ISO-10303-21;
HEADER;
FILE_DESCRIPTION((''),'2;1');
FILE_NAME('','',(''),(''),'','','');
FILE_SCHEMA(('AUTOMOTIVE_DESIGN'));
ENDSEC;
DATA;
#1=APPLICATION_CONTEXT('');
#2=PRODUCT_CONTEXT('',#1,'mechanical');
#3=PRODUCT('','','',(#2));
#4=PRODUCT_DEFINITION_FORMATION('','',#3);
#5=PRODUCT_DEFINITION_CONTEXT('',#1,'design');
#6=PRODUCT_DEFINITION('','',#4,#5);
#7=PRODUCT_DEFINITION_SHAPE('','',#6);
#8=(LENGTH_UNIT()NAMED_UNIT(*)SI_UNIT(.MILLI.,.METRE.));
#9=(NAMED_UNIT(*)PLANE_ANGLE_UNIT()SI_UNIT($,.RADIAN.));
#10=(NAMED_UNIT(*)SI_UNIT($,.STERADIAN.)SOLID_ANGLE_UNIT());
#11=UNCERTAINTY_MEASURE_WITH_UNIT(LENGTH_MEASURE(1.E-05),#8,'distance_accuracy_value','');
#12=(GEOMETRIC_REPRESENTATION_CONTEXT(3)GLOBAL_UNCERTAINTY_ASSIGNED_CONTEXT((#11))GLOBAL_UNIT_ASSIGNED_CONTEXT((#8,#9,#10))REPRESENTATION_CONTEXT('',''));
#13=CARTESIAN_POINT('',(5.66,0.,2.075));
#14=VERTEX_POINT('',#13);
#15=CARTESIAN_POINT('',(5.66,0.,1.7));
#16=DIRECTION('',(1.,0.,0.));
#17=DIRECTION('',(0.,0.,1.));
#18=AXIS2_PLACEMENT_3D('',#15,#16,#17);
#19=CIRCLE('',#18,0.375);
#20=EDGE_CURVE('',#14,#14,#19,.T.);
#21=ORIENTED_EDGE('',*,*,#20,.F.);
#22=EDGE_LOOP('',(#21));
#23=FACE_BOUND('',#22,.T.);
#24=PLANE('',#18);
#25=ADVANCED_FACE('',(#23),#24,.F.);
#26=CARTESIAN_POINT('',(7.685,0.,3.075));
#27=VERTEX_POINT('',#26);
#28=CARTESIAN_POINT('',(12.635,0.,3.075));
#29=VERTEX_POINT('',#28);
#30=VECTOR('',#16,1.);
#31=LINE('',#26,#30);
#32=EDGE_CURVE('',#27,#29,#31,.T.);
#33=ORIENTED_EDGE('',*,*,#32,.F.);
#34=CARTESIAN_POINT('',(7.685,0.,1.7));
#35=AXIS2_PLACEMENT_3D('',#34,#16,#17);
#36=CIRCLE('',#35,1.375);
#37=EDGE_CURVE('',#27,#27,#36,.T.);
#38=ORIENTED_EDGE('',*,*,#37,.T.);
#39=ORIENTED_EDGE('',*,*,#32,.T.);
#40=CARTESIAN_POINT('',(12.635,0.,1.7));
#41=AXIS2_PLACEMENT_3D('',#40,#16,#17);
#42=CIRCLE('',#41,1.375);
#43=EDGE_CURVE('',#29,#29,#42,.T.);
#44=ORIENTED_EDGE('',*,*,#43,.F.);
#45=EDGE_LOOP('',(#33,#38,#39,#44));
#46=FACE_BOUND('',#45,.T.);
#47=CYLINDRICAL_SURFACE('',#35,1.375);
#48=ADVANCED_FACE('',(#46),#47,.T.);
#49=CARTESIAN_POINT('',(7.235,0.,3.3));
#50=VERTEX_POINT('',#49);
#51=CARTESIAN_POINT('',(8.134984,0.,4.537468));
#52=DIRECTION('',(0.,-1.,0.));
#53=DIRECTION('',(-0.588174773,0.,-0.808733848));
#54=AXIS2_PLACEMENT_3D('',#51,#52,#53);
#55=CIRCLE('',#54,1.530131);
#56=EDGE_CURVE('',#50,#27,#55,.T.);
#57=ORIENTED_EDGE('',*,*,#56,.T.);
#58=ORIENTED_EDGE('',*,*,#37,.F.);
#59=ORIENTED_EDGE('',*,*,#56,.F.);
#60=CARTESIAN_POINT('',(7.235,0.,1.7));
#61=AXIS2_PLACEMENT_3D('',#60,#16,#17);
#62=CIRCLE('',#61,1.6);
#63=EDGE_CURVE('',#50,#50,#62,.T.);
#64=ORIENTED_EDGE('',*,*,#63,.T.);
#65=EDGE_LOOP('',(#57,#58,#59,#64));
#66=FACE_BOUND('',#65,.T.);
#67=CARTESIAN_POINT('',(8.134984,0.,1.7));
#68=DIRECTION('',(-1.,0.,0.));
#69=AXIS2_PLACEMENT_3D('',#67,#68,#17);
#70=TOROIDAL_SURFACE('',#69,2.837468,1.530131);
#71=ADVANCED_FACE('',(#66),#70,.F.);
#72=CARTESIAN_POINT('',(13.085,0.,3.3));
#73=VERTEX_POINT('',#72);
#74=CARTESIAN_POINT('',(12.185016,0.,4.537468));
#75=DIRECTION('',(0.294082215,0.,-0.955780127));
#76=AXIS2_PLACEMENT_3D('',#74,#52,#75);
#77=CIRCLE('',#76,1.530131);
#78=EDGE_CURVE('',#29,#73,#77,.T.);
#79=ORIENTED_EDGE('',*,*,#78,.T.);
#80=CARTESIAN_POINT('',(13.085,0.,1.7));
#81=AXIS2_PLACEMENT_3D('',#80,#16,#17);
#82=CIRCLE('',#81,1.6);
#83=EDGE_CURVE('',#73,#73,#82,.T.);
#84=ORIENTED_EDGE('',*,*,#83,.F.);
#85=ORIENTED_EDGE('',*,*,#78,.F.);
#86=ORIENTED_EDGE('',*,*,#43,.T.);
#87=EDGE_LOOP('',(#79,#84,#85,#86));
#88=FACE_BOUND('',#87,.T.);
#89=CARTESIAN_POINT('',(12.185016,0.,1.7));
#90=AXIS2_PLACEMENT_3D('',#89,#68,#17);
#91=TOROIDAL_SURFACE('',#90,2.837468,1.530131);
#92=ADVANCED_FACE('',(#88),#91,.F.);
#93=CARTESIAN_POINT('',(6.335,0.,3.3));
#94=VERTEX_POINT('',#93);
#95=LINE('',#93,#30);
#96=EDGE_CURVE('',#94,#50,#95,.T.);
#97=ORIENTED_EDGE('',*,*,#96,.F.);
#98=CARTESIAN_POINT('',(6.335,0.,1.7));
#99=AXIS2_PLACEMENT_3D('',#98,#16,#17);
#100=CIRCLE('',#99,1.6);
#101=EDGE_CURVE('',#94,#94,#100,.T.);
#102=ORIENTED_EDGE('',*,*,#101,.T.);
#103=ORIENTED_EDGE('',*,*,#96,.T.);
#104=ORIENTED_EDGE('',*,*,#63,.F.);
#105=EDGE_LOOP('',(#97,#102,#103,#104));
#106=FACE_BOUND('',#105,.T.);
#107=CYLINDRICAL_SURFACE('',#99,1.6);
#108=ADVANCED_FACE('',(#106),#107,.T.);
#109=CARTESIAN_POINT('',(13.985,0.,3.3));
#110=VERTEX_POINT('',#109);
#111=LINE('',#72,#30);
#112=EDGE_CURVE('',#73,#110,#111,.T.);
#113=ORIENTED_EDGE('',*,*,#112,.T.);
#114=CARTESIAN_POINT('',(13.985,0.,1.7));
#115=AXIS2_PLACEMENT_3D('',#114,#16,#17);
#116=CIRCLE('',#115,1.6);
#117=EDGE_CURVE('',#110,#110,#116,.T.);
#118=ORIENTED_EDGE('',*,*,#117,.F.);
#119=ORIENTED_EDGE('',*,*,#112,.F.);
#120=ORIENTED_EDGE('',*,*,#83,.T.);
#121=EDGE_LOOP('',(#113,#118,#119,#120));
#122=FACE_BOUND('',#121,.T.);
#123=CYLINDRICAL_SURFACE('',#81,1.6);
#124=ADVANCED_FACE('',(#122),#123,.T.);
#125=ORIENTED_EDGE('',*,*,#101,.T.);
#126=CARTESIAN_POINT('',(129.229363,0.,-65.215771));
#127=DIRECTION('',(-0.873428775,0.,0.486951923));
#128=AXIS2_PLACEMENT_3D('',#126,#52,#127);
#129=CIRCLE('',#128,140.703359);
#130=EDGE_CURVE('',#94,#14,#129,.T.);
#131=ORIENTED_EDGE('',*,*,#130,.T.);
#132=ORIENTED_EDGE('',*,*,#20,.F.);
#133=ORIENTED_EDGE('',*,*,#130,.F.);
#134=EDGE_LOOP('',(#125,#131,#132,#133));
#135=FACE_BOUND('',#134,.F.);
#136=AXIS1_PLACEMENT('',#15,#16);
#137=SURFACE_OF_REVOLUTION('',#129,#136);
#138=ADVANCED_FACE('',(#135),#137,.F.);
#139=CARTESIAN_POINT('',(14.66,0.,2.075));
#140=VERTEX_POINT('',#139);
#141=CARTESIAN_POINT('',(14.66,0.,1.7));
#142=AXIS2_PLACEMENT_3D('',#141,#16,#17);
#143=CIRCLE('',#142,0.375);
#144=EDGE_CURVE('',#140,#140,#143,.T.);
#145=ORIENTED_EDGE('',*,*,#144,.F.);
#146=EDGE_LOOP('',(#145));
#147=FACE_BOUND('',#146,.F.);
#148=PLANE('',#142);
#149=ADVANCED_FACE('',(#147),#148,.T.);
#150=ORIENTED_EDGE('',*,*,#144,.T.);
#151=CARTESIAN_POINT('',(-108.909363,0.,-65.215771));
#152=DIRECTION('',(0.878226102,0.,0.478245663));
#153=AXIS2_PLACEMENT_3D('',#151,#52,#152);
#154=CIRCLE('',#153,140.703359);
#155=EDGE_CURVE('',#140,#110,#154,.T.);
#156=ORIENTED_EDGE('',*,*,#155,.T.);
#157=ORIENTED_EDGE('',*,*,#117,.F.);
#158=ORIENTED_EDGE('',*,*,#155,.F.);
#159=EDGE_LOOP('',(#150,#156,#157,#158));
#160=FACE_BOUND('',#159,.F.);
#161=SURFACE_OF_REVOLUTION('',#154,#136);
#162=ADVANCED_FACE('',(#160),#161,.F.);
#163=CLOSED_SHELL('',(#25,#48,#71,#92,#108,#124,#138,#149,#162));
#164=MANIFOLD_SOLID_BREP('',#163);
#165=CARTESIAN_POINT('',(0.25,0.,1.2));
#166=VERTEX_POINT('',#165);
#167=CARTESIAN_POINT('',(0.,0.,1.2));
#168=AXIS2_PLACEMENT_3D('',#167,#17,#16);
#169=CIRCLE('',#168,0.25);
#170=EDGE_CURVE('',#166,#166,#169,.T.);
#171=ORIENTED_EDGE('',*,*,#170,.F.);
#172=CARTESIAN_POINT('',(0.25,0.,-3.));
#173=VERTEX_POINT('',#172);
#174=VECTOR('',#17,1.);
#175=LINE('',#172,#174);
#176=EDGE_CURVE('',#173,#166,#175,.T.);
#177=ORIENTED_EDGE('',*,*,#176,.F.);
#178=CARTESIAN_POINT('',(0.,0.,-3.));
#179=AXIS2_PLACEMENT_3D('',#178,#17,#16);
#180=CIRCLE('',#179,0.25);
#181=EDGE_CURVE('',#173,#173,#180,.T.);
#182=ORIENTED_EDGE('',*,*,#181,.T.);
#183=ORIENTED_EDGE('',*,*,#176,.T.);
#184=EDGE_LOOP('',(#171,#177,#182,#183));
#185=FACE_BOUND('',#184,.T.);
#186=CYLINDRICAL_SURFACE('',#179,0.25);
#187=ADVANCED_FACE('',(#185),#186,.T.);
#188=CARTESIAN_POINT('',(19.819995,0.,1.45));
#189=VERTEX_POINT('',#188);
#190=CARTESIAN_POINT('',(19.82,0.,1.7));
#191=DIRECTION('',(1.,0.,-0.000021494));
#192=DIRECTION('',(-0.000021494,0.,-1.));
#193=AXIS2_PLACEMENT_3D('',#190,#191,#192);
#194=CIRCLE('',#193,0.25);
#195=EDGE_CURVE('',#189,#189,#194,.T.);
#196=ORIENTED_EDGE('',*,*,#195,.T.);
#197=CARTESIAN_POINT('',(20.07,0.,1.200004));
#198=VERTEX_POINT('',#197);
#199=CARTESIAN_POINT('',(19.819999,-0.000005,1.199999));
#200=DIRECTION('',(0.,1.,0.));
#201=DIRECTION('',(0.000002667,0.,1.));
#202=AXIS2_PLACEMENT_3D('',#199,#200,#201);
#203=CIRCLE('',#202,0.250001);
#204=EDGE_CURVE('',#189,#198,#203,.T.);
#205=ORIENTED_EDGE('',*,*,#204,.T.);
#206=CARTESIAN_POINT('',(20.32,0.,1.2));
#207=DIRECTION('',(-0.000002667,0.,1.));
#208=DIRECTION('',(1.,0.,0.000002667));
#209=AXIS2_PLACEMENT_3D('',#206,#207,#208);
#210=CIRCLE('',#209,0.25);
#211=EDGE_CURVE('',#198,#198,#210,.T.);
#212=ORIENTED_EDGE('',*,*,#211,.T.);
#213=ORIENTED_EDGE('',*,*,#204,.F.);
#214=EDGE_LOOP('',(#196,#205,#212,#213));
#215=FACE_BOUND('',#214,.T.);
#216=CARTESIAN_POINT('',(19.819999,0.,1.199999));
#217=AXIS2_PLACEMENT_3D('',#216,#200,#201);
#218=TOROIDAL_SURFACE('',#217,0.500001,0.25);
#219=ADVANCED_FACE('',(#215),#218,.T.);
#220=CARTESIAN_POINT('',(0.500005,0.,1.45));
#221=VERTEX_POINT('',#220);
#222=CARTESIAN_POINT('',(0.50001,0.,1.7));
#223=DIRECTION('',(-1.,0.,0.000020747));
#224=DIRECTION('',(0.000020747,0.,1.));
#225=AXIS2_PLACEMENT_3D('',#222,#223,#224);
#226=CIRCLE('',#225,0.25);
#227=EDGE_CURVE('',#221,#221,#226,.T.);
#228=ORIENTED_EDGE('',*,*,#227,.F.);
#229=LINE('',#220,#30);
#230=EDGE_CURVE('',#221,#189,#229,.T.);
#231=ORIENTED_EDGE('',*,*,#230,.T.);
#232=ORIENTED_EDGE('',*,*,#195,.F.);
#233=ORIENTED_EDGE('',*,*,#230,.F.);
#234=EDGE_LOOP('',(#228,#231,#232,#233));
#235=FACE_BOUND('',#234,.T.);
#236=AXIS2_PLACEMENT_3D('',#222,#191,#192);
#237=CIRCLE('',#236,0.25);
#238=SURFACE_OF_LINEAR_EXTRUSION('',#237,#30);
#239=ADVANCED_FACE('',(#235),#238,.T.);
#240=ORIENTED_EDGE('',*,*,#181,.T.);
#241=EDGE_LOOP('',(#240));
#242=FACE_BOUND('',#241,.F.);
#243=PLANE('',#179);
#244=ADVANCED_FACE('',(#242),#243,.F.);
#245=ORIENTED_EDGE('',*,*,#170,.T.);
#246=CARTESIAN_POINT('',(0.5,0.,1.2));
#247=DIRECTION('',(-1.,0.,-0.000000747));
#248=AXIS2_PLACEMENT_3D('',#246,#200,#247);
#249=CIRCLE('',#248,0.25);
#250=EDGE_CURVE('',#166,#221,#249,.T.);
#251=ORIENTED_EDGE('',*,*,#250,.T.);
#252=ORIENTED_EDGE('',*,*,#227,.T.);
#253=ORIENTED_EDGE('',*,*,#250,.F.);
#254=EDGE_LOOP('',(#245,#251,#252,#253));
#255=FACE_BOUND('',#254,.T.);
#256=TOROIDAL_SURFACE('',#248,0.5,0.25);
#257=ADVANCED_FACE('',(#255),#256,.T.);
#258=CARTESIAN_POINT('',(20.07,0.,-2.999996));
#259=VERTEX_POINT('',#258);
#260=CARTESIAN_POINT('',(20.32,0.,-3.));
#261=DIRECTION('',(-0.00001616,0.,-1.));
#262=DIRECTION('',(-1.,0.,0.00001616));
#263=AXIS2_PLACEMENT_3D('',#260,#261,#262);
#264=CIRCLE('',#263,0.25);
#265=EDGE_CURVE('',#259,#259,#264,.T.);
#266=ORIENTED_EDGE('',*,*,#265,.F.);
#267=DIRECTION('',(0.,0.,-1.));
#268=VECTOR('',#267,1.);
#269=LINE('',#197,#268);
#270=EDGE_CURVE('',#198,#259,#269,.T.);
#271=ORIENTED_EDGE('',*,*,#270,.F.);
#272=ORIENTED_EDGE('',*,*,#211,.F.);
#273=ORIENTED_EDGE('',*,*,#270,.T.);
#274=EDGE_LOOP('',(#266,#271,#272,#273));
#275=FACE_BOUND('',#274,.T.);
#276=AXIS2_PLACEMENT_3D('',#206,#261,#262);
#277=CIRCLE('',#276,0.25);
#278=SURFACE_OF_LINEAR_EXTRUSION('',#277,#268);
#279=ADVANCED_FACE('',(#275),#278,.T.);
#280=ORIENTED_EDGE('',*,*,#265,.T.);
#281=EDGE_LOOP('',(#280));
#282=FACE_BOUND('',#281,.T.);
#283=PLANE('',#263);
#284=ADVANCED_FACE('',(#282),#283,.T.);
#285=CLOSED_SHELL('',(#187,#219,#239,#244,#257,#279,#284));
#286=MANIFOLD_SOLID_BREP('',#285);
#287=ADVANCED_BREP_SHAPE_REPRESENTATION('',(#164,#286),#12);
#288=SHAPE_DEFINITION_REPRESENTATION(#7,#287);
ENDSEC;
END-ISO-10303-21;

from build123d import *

# Parameters (mm, degrees)
SKETCH_R = 0.25


with BuildPart() as revolution:
    # Sketch002 → Revolution (revolve)
    with BuildSketch(Plane.XZ):
        with BuildLine():
            Line((6.335, 3.3), (7.235, 3.3))
            ThreePointArc((7.235, 3.3), (7.450689, 3.168878), (7.685, 3.075))
            Line((7.685, 3.075), (12.635, 3.075))
            ThreePointArc((12.635, 3.075), (12.869311, 3.168878), (13.085, 3.3))
            Line((13.085, 3.3), (13.985, 3.3))
            ThreePointArc((14.66, 2.075), (14.324022, 2.688339), (13.985, 3.3))
            Line((14.66, 1.7), (14.66, 2.075))
            Line((5.66, 1.7), (14.66, 1.7))
            Line((5.66, 1.7), (5.66, 2.075))
            ThreePointArc((6.335, 3.3), (5.995978, 2.688339), (5.66, 2.075))
        make_face()
    revolve(axis=Axis((5.66, 0, 1.7), (1, 0, 0)))


with BuildPart() as sweep_body:
    # Sweep: sweep along a path in Sketch001
    with BuildLine(Plane.XZ) as sweep_path:
        Line((0, -3), (0, 1.2))
        ThreePointArc((0, 1.2), (0.14645, 1.553557), (0.50001, 1.7))
        Line((0.50001, 1.7), (19.82, 1.7))
        ThreePointArc((19.82, 1.7), (20.173553, 1.553553), (20.32, 1.2))
        Line((20.32, 1.2), (20.32, -3))
    # Sketch → Sweep (sweep)
    with BuildSketch(Plane.XY.offset(-2)):
        Circle(SKETCH_R)
    sweep(path=sweep_path.line)


solid = Compound([revolution.part, sweep_body.part])
